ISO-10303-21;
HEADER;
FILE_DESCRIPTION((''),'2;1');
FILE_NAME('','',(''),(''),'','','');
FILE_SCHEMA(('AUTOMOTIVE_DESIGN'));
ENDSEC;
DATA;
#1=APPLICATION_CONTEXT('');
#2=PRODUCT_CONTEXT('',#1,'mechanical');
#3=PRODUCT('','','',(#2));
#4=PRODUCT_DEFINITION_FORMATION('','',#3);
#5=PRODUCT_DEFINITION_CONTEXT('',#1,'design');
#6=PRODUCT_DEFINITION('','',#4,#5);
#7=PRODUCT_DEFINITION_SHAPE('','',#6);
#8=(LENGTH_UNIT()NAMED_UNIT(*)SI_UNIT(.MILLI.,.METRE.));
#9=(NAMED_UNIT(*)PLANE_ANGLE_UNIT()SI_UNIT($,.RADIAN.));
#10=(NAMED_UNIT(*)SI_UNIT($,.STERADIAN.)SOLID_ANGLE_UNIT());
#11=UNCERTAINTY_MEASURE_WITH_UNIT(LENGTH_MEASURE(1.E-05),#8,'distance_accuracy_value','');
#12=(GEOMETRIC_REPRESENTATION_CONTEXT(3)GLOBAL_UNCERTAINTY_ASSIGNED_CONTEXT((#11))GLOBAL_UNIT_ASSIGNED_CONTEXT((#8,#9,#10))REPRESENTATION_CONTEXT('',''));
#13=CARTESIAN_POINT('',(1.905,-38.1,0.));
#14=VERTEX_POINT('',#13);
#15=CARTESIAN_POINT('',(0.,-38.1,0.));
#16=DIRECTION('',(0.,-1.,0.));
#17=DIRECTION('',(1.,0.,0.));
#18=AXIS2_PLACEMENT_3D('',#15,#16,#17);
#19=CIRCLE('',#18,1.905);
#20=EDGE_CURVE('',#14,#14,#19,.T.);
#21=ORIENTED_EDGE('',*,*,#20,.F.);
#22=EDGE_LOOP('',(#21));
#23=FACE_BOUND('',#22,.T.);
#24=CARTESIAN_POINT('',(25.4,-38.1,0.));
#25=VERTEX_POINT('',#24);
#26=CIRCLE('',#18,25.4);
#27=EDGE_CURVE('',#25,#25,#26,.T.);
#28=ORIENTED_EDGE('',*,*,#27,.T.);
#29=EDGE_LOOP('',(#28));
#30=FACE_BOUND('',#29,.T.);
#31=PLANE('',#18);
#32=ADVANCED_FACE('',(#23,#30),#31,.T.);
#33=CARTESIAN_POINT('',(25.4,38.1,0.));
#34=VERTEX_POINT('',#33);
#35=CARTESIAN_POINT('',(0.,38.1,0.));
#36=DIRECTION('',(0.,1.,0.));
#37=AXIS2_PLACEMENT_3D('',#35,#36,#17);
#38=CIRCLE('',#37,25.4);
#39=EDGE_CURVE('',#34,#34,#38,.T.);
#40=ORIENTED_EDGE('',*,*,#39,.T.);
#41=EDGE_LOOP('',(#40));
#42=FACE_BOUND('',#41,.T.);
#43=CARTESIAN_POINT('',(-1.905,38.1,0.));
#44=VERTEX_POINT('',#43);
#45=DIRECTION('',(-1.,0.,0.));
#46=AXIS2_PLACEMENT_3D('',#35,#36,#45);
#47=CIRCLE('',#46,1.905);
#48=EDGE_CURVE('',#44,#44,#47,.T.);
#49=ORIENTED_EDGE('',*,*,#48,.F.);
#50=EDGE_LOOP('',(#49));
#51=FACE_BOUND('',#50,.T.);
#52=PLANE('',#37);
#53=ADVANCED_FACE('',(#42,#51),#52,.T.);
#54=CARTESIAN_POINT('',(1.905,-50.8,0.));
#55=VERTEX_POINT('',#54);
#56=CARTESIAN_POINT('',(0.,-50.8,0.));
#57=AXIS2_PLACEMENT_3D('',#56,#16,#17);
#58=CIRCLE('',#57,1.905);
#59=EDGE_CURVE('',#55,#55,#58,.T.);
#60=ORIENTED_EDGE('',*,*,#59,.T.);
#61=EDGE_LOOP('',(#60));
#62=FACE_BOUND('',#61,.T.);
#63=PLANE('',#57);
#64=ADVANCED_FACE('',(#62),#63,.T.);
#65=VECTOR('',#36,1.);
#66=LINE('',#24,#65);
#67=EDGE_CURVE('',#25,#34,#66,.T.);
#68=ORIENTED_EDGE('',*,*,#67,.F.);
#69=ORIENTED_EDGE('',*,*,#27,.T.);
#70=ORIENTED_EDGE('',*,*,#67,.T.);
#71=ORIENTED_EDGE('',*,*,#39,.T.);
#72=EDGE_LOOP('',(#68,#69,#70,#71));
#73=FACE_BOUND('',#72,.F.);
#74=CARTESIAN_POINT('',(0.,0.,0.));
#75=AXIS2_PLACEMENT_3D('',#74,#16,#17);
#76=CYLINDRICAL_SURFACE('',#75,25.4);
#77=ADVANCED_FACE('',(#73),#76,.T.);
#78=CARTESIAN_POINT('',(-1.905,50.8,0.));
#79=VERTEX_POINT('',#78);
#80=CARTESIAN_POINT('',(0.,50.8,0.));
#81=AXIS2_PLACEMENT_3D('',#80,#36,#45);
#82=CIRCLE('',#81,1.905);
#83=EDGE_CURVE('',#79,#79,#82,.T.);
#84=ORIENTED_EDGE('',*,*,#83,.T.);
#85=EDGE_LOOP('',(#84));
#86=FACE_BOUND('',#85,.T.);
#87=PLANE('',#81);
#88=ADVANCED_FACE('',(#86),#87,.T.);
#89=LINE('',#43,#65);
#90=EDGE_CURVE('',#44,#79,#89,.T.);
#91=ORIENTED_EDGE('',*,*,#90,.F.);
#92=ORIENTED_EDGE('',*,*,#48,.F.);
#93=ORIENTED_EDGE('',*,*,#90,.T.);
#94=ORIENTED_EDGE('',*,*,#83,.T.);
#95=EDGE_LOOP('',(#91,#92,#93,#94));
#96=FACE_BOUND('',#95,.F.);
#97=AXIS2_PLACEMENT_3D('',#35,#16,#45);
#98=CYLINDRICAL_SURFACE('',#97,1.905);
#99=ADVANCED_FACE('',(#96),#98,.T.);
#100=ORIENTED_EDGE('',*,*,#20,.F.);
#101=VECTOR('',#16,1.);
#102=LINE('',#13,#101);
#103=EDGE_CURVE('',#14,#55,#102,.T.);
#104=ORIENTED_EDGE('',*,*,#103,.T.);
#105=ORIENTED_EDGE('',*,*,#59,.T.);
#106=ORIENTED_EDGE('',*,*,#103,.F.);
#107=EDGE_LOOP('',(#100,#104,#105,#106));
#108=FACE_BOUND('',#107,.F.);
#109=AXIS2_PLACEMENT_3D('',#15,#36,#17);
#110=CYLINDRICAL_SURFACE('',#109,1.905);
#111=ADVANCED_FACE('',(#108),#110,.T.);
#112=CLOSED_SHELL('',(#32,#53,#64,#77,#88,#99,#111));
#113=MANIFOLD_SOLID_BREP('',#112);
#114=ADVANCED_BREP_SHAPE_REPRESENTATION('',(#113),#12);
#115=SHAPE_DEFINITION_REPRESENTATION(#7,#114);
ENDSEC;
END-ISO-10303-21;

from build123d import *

# Parameters (mm, degrees)
F0_R      = 25.4
F1_DEPTH  = 38.1
F1_FACE_R = 25.4
F2_DEPTH  = 38.1
F4_R      = 1.905
F5_DEPTH  = 12.7
F3_R      = 1.905
F6_DEPTH  = 12.7


with BuildPart() as f1:
    # F0 (on Front) → F1 (new body)
    with BuildSketch(Plane.XZ):
        Circle(F0_R)
    extrude(amount=F1_DEPTH)

    # F1_face (on face) → F2 (join)
    with BuildSketch(Plane(origin=(0, 0, 0), x_dir=(1, 0, 0), z_dir=(0, 1, 0))):
        Circle(F1_FACE_R)
    extrude(amount=F2_DEPTH)

    # F4 (on face) → F5 (join)
    with BuildSketch(Plane(origin=(0, 38.1, 0), x_dir=(-1, 0, 0), z_dir=(0, 1, 0))):
        Circle(F4_R)
    extrude(amount=F5_DEPTH)

    # F3 (on face) → F6 (join)
    with BuildSketch(Plane.XZ.offset(38.1)):
        Circle(F3_R)
    extrude(amount=F6_DEPTH)


solid = f1.part
